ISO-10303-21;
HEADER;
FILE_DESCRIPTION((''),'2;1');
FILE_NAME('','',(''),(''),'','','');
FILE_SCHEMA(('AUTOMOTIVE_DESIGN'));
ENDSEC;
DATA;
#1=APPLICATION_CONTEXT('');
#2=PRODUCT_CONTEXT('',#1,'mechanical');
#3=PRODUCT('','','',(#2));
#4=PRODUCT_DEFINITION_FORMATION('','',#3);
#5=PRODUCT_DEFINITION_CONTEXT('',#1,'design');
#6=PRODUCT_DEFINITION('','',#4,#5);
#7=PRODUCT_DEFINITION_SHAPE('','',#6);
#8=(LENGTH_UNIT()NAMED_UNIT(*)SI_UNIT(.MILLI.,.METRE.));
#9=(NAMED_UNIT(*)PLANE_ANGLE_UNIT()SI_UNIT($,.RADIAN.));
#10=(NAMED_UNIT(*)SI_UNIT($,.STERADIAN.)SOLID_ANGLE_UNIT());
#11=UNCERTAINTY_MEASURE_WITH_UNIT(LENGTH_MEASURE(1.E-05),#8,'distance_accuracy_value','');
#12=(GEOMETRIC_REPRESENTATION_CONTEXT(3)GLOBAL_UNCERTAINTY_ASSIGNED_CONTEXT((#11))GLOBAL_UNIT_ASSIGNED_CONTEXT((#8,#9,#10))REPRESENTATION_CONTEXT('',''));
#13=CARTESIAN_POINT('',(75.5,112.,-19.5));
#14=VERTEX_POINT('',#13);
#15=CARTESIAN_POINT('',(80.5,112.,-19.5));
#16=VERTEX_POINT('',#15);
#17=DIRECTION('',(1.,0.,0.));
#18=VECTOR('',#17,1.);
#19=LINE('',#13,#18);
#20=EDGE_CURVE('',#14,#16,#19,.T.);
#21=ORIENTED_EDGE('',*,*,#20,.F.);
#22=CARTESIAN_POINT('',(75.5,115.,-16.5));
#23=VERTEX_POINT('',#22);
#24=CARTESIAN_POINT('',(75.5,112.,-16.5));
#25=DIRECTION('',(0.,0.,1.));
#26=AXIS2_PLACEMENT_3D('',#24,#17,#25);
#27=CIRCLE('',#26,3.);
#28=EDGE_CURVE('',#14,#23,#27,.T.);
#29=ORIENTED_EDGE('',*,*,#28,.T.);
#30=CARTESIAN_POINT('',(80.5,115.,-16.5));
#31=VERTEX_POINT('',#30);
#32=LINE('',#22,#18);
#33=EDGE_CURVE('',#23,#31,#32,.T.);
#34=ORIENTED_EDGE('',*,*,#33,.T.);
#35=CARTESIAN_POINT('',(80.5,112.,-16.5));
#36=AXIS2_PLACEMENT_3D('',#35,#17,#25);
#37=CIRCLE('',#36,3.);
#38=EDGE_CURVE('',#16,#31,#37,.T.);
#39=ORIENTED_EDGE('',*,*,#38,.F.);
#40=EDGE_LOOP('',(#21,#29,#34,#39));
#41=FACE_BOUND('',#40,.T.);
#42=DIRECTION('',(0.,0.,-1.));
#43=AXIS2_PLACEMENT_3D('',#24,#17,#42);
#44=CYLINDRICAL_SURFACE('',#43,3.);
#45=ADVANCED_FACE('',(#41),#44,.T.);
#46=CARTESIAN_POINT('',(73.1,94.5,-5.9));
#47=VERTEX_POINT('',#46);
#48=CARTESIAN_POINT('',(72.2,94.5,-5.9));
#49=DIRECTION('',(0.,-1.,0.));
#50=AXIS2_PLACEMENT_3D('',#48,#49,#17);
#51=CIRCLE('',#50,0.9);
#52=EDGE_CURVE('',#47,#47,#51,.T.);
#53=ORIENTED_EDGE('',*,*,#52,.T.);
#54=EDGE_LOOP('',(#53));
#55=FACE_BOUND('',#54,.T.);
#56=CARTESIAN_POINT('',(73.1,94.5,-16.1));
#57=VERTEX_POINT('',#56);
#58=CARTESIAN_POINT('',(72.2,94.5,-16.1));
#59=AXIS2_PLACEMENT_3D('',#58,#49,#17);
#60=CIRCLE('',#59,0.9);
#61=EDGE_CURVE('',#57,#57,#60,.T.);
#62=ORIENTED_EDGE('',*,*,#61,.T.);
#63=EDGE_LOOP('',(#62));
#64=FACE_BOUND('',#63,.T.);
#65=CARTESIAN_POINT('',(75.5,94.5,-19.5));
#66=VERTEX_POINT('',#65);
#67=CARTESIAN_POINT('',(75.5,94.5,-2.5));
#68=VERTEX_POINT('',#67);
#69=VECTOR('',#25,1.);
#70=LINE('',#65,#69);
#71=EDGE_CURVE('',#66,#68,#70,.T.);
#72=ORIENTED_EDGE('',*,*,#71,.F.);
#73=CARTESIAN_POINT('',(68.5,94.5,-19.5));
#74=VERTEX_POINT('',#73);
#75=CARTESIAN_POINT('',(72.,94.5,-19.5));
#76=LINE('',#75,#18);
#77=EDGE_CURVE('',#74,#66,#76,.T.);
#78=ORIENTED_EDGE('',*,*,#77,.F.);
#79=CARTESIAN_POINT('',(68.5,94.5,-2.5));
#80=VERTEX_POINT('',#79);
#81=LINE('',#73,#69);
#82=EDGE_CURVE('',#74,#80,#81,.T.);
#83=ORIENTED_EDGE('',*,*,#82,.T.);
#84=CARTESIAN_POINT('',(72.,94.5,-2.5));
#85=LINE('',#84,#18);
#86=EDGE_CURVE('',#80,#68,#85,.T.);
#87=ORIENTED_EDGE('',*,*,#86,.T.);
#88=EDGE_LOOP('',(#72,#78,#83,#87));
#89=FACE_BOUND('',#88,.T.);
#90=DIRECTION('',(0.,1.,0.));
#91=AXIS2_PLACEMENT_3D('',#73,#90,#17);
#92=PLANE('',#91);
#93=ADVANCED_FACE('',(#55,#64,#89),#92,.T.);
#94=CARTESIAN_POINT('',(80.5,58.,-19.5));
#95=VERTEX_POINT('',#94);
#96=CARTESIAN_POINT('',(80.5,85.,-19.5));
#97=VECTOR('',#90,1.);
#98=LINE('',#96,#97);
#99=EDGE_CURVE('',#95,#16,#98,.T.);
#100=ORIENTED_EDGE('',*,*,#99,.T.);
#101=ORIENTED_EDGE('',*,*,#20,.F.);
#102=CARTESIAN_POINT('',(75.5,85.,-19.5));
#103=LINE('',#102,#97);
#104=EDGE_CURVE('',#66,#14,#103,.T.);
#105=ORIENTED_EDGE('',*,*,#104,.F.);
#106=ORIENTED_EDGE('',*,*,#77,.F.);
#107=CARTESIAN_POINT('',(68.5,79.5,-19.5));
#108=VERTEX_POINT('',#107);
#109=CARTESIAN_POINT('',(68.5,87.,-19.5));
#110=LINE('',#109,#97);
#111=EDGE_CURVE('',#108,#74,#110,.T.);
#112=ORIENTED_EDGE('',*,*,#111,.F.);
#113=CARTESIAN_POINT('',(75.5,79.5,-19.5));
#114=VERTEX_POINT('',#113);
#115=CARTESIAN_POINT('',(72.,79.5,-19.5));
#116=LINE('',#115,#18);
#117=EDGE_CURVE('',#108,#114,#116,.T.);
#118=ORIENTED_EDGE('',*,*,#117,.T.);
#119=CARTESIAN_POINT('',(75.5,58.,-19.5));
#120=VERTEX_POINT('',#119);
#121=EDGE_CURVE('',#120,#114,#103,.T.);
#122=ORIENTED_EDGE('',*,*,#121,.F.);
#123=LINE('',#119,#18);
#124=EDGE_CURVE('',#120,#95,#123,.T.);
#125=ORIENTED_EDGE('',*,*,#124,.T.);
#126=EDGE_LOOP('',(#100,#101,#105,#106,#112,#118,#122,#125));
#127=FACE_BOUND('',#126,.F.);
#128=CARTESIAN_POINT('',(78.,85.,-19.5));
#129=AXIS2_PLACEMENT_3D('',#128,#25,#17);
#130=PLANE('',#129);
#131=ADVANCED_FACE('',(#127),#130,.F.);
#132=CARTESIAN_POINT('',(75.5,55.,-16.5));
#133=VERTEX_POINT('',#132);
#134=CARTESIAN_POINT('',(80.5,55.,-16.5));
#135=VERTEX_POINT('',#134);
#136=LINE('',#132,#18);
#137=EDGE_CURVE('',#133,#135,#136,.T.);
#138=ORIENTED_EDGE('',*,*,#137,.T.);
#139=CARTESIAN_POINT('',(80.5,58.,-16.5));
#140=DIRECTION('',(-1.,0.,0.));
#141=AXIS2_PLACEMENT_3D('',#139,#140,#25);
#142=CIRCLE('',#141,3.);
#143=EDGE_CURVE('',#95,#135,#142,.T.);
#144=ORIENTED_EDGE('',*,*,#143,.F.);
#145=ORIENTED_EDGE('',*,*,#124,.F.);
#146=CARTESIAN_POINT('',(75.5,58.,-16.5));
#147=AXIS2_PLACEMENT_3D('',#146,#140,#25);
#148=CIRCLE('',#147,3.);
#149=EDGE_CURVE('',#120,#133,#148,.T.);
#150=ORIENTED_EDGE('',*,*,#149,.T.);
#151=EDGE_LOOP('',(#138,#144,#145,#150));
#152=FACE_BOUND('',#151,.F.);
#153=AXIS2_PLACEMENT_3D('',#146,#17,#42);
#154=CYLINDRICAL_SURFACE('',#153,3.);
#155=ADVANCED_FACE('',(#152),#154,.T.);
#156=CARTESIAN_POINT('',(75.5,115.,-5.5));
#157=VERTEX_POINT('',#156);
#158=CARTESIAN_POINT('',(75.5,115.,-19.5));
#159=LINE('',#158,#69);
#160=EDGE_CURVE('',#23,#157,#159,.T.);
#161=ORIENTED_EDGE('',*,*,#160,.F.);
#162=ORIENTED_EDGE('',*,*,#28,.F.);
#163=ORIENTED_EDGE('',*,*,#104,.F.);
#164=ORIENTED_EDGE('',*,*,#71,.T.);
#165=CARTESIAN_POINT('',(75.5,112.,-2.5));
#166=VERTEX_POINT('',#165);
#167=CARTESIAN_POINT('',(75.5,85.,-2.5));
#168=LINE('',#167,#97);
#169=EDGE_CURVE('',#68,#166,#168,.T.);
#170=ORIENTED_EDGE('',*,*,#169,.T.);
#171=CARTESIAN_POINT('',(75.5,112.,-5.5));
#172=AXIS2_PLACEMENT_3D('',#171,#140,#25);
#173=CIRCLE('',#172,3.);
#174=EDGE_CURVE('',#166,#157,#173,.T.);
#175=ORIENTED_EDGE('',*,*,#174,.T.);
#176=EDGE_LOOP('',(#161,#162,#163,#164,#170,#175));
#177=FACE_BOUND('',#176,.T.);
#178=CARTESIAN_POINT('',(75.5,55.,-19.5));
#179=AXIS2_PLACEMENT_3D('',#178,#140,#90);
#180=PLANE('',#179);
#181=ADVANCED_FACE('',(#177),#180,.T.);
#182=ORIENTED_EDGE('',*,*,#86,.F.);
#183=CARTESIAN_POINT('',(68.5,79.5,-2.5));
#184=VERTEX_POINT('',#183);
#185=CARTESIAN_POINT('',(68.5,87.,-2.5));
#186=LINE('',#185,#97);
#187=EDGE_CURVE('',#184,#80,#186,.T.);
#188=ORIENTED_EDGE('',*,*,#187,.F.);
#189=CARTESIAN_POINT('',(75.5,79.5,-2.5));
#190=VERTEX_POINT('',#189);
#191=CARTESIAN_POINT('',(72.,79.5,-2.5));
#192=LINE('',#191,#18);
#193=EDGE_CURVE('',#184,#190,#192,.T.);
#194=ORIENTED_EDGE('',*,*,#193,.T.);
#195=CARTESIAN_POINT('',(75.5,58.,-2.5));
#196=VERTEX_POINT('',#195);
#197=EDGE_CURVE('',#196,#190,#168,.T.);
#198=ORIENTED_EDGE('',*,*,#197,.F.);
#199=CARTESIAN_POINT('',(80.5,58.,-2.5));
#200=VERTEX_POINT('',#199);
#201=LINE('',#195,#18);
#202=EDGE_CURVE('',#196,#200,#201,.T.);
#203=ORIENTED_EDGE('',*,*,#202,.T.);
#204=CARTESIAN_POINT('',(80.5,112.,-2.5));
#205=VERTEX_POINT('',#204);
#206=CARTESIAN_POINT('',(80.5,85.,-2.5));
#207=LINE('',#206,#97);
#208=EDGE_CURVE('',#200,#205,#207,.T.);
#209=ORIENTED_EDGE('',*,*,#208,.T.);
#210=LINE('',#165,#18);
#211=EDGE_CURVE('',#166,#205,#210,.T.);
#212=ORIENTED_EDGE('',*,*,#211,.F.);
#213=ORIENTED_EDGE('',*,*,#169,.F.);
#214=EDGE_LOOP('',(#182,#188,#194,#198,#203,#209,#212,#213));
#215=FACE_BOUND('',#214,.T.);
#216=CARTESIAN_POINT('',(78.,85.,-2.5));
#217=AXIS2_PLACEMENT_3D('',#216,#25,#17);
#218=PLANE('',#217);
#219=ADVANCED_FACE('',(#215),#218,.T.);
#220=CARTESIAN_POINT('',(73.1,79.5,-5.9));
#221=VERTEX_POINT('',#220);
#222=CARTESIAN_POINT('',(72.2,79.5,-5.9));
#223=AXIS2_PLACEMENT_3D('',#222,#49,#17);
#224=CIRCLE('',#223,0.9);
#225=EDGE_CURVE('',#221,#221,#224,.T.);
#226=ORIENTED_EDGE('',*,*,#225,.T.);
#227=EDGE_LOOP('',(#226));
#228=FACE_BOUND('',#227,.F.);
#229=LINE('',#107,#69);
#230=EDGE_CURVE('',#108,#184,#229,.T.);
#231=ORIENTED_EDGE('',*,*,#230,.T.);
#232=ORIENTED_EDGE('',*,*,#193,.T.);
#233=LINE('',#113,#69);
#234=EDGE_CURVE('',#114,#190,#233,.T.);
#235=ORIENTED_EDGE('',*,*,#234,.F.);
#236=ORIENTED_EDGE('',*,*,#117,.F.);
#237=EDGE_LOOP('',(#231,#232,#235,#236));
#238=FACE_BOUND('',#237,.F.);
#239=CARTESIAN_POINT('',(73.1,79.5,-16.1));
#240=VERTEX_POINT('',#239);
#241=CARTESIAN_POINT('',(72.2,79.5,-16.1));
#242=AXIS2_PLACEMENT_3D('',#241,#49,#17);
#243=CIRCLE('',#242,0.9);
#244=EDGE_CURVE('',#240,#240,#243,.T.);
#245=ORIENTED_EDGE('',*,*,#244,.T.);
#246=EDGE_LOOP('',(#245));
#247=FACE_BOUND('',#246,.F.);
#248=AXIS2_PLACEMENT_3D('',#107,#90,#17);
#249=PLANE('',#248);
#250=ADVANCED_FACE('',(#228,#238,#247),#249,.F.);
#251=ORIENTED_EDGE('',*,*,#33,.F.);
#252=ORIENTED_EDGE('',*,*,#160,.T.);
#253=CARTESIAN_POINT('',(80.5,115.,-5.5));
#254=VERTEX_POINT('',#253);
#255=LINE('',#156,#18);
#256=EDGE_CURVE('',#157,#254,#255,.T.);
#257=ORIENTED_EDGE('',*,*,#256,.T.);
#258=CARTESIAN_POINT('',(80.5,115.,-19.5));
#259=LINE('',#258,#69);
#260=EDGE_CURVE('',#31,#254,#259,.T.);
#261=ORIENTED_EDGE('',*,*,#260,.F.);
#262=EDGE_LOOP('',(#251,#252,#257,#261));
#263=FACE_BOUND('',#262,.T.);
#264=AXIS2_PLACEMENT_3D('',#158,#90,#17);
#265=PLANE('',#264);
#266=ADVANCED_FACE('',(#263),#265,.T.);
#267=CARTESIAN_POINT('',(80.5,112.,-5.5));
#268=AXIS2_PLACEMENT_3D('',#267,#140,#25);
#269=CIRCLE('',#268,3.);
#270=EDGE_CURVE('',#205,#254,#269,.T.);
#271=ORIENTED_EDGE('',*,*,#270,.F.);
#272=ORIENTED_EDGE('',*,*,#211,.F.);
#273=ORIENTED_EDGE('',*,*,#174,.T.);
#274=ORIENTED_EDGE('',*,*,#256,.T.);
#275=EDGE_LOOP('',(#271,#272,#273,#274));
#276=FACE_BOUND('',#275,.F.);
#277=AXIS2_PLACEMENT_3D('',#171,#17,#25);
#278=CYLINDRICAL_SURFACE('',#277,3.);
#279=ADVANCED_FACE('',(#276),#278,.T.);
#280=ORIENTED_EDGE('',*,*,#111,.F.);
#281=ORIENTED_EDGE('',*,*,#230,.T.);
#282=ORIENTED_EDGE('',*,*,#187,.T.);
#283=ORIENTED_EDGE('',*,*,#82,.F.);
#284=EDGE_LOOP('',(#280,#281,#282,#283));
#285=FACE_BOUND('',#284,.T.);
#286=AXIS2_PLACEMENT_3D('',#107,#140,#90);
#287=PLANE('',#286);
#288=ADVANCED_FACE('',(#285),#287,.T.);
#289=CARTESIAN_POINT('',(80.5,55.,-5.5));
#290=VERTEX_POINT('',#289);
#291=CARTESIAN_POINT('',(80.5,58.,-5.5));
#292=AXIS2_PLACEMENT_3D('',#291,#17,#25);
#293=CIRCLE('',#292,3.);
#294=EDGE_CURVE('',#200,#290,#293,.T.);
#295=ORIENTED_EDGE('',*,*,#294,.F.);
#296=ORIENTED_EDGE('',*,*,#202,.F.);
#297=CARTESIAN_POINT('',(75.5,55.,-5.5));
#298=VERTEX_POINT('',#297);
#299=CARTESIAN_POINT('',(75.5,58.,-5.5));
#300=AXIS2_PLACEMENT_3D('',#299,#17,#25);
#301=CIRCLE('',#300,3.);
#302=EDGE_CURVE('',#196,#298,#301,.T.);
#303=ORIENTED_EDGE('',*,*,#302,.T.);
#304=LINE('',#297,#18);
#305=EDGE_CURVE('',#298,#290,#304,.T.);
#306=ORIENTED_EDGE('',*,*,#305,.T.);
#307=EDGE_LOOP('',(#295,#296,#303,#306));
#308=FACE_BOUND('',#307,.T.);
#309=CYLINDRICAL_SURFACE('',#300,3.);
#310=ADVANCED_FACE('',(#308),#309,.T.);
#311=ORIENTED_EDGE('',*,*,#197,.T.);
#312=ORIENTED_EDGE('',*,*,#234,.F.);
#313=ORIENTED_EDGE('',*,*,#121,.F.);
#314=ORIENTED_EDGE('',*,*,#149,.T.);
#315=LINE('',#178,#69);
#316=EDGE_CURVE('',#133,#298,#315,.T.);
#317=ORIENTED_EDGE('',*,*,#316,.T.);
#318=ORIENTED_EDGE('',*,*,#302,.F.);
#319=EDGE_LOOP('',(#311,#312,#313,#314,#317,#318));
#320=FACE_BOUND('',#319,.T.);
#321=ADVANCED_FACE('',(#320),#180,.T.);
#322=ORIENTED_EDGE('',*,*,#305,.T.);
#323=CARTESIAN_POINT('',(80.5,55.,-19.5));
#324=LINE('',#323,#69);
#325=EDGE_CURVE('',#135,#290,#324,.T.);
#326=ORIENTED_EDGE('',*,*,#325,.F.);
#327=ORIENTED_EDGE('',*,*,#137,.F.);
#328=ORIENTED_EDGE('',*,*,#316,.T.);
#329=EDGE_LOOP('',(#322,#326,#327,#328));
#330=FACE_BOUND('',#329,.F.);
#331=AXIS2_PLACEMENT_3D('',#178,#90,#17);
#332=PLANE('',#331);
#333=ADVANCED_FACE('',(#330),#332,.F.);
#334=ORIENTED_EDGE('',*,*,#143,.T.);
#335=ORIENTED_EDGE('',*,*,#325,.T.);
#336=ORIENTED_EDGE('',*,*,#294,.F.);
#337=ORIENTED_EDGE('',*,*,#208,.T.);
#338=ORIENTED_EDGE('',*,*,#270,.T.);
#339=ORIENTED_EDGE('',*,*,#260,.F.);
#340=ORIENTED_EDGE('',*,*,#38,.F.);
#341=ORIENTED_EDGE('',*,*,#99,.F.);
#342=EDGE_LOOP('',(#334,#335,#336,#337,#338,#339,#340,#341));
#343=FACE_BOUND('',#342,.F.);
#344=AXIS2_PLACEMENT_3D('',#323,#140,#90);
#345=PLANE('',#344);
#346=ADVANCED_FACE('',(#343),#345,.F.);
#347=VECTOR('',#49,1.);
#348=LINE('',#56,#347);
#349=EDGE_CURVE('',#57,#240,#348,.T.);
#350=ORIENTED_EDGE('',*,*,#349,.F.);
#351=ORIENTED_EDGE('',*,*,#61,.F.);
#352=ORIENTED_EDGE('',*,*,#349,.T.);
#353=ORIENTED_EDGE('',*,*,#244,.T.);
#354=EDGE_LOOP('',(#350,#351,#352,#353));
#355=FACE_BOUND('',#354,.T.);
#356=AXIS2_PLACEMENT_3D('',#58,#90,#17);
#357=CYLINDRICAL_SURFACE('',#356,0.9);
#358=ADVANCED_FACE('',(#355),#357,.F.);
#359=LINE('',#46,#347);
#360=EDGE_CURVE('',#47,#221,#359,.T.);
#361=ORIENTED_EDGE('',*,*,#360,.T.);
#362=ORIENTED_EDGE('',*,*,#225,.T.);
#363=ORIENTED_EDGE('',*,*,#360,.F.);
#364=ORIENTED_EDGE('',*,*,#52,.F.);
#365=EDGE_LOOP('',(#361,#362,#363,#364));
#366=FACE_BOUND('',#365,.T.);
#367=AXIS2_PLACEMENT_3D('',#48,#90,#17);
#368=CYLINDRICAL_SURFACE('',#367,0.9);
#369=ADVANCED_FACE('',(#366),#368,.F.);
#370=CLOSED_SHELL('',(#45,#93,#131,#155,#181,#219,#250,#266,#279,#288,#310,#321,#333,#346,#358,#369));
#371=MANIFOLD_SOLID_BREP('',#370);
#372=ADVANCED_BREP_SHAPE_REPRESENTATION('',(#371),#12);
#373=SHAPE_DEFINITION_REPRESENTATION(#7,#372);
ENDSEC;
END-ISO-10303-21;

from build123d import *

# Parameters (mm, degrees)
CYLINDER950_R          = 0.9
CYLINDER950_DEPTH      = 15
CYLINDER950_ROLL_ANGLE = 90
CYLINDER951_R          = 0.9
CYLINDER951_DEPTH      = 15
CYLINDER951_ROLL_ANGLE = 90
BOX558_W               = 5
BOX558_H               = 60
BOX558_DEPTH           = 17
BOX557_W               = 7
BOX557_H               = 15
BOX557_DEPTH           = 17
FILLET357_R            = 3


with BuildPart() as cylinder1101:
    # Cylinder950 → Cylinder950 (new body)
    with BuildSketch(Plane.XY):
        Circle(CYLINDER950_R)
    extrude(amount=CYLINDER950_DEPTH)


with BuildPart() as cylinder1101_1:
    # Cylinder950 roll: moved
    add(cylinder1101.part.rotate(Axis((0, 0, 0), (1, 0, 0)), CYLINDER950_ROLL_ANGLE))


with BuildPart() as cylinder1101_2:
    # Cylinder950 placement: moved
    add(cylinder1101_1.part.moved(Location((27, 85, -10.2))))


with BuildPart() as fusion596:
    # Cylinder951 → Cylinder951 (new body)
    with BuildSketch(Plane.XY):
        Circle(CYLINDER951_R)
    extrude(amount=CYLINDER951_DEPTH)


with BuildPart() as fusion596_1:
    # Cylinder951 roll: moved
    add(fusion596.part.rotate(Axis((0, 0, 0), (1, 0, 0)), CYLINDER951_ROLL_ANGLE))


with BuildPart() as fusion596_2:
    # Cylinder951 placement: moved
    add(fusion596_1.part.moved(Location((27, 85, 0))))

    # Fusion596: union Cylinder1101
    add(cylinder1101_2.part)


with BuildPart() as fusion596_3:
    # Fusion596 placement: moved
    add(fusion596_2.part.moved(Location((44.2, 9.5, -5.9))))


with BuildPart() as cube749:
    # Box558 → Box558 (new body)
    with BuildSketch(Plane(origin=(74.5, 55, -19.5), x_dir=(1, 0, 0), z_dir=(0, 0, 1))):
        with Locations((2.5, 30)):
            Rectangle(BOX558_W, BOX558_H)
    extrude(amount=BOX558_DEPTH)


with BuildPart() as steering_servo_rear_mount:
    # Box557 → Box557 (new body)
    with BuildSketch(Plane(origin=(67.5, 79.5, -19.5), x_dir=(1, 0, 0), z_dir=(0, 0, 1))):
        with Locations((3.5, 7.5)):
            Rectangle(BOX557_W, BOX557_H)
    extrude(amount=BOX557_DEPTH)

    # Fusion597: union Cube749
    add(cube749.part)

    # Cut695: cut Fusion596
    add(fusion596_3.part, mode=Mode.SUBTRACT)

    # Fillet357
    fillet357_edges = [steering_servo_rear_mount.edges().sort_by_distance(p)[0] for p in [
        (77, 55, -2.5),
        (77, 115, -2.5),
        (77, 115, -19.5),
        (77, 55, -19.5),
    ]]
    fillet(fillet357_edges, radius=FILLET357_R)


with BuildPart() as steering_servo_rear_mount_1:
    # Fillet357 placement: moved
    add(steering_servo_rear_mount.part.moved(Location((1, 0, 0))))


solid = steering_servo_rear_mount_1.part
